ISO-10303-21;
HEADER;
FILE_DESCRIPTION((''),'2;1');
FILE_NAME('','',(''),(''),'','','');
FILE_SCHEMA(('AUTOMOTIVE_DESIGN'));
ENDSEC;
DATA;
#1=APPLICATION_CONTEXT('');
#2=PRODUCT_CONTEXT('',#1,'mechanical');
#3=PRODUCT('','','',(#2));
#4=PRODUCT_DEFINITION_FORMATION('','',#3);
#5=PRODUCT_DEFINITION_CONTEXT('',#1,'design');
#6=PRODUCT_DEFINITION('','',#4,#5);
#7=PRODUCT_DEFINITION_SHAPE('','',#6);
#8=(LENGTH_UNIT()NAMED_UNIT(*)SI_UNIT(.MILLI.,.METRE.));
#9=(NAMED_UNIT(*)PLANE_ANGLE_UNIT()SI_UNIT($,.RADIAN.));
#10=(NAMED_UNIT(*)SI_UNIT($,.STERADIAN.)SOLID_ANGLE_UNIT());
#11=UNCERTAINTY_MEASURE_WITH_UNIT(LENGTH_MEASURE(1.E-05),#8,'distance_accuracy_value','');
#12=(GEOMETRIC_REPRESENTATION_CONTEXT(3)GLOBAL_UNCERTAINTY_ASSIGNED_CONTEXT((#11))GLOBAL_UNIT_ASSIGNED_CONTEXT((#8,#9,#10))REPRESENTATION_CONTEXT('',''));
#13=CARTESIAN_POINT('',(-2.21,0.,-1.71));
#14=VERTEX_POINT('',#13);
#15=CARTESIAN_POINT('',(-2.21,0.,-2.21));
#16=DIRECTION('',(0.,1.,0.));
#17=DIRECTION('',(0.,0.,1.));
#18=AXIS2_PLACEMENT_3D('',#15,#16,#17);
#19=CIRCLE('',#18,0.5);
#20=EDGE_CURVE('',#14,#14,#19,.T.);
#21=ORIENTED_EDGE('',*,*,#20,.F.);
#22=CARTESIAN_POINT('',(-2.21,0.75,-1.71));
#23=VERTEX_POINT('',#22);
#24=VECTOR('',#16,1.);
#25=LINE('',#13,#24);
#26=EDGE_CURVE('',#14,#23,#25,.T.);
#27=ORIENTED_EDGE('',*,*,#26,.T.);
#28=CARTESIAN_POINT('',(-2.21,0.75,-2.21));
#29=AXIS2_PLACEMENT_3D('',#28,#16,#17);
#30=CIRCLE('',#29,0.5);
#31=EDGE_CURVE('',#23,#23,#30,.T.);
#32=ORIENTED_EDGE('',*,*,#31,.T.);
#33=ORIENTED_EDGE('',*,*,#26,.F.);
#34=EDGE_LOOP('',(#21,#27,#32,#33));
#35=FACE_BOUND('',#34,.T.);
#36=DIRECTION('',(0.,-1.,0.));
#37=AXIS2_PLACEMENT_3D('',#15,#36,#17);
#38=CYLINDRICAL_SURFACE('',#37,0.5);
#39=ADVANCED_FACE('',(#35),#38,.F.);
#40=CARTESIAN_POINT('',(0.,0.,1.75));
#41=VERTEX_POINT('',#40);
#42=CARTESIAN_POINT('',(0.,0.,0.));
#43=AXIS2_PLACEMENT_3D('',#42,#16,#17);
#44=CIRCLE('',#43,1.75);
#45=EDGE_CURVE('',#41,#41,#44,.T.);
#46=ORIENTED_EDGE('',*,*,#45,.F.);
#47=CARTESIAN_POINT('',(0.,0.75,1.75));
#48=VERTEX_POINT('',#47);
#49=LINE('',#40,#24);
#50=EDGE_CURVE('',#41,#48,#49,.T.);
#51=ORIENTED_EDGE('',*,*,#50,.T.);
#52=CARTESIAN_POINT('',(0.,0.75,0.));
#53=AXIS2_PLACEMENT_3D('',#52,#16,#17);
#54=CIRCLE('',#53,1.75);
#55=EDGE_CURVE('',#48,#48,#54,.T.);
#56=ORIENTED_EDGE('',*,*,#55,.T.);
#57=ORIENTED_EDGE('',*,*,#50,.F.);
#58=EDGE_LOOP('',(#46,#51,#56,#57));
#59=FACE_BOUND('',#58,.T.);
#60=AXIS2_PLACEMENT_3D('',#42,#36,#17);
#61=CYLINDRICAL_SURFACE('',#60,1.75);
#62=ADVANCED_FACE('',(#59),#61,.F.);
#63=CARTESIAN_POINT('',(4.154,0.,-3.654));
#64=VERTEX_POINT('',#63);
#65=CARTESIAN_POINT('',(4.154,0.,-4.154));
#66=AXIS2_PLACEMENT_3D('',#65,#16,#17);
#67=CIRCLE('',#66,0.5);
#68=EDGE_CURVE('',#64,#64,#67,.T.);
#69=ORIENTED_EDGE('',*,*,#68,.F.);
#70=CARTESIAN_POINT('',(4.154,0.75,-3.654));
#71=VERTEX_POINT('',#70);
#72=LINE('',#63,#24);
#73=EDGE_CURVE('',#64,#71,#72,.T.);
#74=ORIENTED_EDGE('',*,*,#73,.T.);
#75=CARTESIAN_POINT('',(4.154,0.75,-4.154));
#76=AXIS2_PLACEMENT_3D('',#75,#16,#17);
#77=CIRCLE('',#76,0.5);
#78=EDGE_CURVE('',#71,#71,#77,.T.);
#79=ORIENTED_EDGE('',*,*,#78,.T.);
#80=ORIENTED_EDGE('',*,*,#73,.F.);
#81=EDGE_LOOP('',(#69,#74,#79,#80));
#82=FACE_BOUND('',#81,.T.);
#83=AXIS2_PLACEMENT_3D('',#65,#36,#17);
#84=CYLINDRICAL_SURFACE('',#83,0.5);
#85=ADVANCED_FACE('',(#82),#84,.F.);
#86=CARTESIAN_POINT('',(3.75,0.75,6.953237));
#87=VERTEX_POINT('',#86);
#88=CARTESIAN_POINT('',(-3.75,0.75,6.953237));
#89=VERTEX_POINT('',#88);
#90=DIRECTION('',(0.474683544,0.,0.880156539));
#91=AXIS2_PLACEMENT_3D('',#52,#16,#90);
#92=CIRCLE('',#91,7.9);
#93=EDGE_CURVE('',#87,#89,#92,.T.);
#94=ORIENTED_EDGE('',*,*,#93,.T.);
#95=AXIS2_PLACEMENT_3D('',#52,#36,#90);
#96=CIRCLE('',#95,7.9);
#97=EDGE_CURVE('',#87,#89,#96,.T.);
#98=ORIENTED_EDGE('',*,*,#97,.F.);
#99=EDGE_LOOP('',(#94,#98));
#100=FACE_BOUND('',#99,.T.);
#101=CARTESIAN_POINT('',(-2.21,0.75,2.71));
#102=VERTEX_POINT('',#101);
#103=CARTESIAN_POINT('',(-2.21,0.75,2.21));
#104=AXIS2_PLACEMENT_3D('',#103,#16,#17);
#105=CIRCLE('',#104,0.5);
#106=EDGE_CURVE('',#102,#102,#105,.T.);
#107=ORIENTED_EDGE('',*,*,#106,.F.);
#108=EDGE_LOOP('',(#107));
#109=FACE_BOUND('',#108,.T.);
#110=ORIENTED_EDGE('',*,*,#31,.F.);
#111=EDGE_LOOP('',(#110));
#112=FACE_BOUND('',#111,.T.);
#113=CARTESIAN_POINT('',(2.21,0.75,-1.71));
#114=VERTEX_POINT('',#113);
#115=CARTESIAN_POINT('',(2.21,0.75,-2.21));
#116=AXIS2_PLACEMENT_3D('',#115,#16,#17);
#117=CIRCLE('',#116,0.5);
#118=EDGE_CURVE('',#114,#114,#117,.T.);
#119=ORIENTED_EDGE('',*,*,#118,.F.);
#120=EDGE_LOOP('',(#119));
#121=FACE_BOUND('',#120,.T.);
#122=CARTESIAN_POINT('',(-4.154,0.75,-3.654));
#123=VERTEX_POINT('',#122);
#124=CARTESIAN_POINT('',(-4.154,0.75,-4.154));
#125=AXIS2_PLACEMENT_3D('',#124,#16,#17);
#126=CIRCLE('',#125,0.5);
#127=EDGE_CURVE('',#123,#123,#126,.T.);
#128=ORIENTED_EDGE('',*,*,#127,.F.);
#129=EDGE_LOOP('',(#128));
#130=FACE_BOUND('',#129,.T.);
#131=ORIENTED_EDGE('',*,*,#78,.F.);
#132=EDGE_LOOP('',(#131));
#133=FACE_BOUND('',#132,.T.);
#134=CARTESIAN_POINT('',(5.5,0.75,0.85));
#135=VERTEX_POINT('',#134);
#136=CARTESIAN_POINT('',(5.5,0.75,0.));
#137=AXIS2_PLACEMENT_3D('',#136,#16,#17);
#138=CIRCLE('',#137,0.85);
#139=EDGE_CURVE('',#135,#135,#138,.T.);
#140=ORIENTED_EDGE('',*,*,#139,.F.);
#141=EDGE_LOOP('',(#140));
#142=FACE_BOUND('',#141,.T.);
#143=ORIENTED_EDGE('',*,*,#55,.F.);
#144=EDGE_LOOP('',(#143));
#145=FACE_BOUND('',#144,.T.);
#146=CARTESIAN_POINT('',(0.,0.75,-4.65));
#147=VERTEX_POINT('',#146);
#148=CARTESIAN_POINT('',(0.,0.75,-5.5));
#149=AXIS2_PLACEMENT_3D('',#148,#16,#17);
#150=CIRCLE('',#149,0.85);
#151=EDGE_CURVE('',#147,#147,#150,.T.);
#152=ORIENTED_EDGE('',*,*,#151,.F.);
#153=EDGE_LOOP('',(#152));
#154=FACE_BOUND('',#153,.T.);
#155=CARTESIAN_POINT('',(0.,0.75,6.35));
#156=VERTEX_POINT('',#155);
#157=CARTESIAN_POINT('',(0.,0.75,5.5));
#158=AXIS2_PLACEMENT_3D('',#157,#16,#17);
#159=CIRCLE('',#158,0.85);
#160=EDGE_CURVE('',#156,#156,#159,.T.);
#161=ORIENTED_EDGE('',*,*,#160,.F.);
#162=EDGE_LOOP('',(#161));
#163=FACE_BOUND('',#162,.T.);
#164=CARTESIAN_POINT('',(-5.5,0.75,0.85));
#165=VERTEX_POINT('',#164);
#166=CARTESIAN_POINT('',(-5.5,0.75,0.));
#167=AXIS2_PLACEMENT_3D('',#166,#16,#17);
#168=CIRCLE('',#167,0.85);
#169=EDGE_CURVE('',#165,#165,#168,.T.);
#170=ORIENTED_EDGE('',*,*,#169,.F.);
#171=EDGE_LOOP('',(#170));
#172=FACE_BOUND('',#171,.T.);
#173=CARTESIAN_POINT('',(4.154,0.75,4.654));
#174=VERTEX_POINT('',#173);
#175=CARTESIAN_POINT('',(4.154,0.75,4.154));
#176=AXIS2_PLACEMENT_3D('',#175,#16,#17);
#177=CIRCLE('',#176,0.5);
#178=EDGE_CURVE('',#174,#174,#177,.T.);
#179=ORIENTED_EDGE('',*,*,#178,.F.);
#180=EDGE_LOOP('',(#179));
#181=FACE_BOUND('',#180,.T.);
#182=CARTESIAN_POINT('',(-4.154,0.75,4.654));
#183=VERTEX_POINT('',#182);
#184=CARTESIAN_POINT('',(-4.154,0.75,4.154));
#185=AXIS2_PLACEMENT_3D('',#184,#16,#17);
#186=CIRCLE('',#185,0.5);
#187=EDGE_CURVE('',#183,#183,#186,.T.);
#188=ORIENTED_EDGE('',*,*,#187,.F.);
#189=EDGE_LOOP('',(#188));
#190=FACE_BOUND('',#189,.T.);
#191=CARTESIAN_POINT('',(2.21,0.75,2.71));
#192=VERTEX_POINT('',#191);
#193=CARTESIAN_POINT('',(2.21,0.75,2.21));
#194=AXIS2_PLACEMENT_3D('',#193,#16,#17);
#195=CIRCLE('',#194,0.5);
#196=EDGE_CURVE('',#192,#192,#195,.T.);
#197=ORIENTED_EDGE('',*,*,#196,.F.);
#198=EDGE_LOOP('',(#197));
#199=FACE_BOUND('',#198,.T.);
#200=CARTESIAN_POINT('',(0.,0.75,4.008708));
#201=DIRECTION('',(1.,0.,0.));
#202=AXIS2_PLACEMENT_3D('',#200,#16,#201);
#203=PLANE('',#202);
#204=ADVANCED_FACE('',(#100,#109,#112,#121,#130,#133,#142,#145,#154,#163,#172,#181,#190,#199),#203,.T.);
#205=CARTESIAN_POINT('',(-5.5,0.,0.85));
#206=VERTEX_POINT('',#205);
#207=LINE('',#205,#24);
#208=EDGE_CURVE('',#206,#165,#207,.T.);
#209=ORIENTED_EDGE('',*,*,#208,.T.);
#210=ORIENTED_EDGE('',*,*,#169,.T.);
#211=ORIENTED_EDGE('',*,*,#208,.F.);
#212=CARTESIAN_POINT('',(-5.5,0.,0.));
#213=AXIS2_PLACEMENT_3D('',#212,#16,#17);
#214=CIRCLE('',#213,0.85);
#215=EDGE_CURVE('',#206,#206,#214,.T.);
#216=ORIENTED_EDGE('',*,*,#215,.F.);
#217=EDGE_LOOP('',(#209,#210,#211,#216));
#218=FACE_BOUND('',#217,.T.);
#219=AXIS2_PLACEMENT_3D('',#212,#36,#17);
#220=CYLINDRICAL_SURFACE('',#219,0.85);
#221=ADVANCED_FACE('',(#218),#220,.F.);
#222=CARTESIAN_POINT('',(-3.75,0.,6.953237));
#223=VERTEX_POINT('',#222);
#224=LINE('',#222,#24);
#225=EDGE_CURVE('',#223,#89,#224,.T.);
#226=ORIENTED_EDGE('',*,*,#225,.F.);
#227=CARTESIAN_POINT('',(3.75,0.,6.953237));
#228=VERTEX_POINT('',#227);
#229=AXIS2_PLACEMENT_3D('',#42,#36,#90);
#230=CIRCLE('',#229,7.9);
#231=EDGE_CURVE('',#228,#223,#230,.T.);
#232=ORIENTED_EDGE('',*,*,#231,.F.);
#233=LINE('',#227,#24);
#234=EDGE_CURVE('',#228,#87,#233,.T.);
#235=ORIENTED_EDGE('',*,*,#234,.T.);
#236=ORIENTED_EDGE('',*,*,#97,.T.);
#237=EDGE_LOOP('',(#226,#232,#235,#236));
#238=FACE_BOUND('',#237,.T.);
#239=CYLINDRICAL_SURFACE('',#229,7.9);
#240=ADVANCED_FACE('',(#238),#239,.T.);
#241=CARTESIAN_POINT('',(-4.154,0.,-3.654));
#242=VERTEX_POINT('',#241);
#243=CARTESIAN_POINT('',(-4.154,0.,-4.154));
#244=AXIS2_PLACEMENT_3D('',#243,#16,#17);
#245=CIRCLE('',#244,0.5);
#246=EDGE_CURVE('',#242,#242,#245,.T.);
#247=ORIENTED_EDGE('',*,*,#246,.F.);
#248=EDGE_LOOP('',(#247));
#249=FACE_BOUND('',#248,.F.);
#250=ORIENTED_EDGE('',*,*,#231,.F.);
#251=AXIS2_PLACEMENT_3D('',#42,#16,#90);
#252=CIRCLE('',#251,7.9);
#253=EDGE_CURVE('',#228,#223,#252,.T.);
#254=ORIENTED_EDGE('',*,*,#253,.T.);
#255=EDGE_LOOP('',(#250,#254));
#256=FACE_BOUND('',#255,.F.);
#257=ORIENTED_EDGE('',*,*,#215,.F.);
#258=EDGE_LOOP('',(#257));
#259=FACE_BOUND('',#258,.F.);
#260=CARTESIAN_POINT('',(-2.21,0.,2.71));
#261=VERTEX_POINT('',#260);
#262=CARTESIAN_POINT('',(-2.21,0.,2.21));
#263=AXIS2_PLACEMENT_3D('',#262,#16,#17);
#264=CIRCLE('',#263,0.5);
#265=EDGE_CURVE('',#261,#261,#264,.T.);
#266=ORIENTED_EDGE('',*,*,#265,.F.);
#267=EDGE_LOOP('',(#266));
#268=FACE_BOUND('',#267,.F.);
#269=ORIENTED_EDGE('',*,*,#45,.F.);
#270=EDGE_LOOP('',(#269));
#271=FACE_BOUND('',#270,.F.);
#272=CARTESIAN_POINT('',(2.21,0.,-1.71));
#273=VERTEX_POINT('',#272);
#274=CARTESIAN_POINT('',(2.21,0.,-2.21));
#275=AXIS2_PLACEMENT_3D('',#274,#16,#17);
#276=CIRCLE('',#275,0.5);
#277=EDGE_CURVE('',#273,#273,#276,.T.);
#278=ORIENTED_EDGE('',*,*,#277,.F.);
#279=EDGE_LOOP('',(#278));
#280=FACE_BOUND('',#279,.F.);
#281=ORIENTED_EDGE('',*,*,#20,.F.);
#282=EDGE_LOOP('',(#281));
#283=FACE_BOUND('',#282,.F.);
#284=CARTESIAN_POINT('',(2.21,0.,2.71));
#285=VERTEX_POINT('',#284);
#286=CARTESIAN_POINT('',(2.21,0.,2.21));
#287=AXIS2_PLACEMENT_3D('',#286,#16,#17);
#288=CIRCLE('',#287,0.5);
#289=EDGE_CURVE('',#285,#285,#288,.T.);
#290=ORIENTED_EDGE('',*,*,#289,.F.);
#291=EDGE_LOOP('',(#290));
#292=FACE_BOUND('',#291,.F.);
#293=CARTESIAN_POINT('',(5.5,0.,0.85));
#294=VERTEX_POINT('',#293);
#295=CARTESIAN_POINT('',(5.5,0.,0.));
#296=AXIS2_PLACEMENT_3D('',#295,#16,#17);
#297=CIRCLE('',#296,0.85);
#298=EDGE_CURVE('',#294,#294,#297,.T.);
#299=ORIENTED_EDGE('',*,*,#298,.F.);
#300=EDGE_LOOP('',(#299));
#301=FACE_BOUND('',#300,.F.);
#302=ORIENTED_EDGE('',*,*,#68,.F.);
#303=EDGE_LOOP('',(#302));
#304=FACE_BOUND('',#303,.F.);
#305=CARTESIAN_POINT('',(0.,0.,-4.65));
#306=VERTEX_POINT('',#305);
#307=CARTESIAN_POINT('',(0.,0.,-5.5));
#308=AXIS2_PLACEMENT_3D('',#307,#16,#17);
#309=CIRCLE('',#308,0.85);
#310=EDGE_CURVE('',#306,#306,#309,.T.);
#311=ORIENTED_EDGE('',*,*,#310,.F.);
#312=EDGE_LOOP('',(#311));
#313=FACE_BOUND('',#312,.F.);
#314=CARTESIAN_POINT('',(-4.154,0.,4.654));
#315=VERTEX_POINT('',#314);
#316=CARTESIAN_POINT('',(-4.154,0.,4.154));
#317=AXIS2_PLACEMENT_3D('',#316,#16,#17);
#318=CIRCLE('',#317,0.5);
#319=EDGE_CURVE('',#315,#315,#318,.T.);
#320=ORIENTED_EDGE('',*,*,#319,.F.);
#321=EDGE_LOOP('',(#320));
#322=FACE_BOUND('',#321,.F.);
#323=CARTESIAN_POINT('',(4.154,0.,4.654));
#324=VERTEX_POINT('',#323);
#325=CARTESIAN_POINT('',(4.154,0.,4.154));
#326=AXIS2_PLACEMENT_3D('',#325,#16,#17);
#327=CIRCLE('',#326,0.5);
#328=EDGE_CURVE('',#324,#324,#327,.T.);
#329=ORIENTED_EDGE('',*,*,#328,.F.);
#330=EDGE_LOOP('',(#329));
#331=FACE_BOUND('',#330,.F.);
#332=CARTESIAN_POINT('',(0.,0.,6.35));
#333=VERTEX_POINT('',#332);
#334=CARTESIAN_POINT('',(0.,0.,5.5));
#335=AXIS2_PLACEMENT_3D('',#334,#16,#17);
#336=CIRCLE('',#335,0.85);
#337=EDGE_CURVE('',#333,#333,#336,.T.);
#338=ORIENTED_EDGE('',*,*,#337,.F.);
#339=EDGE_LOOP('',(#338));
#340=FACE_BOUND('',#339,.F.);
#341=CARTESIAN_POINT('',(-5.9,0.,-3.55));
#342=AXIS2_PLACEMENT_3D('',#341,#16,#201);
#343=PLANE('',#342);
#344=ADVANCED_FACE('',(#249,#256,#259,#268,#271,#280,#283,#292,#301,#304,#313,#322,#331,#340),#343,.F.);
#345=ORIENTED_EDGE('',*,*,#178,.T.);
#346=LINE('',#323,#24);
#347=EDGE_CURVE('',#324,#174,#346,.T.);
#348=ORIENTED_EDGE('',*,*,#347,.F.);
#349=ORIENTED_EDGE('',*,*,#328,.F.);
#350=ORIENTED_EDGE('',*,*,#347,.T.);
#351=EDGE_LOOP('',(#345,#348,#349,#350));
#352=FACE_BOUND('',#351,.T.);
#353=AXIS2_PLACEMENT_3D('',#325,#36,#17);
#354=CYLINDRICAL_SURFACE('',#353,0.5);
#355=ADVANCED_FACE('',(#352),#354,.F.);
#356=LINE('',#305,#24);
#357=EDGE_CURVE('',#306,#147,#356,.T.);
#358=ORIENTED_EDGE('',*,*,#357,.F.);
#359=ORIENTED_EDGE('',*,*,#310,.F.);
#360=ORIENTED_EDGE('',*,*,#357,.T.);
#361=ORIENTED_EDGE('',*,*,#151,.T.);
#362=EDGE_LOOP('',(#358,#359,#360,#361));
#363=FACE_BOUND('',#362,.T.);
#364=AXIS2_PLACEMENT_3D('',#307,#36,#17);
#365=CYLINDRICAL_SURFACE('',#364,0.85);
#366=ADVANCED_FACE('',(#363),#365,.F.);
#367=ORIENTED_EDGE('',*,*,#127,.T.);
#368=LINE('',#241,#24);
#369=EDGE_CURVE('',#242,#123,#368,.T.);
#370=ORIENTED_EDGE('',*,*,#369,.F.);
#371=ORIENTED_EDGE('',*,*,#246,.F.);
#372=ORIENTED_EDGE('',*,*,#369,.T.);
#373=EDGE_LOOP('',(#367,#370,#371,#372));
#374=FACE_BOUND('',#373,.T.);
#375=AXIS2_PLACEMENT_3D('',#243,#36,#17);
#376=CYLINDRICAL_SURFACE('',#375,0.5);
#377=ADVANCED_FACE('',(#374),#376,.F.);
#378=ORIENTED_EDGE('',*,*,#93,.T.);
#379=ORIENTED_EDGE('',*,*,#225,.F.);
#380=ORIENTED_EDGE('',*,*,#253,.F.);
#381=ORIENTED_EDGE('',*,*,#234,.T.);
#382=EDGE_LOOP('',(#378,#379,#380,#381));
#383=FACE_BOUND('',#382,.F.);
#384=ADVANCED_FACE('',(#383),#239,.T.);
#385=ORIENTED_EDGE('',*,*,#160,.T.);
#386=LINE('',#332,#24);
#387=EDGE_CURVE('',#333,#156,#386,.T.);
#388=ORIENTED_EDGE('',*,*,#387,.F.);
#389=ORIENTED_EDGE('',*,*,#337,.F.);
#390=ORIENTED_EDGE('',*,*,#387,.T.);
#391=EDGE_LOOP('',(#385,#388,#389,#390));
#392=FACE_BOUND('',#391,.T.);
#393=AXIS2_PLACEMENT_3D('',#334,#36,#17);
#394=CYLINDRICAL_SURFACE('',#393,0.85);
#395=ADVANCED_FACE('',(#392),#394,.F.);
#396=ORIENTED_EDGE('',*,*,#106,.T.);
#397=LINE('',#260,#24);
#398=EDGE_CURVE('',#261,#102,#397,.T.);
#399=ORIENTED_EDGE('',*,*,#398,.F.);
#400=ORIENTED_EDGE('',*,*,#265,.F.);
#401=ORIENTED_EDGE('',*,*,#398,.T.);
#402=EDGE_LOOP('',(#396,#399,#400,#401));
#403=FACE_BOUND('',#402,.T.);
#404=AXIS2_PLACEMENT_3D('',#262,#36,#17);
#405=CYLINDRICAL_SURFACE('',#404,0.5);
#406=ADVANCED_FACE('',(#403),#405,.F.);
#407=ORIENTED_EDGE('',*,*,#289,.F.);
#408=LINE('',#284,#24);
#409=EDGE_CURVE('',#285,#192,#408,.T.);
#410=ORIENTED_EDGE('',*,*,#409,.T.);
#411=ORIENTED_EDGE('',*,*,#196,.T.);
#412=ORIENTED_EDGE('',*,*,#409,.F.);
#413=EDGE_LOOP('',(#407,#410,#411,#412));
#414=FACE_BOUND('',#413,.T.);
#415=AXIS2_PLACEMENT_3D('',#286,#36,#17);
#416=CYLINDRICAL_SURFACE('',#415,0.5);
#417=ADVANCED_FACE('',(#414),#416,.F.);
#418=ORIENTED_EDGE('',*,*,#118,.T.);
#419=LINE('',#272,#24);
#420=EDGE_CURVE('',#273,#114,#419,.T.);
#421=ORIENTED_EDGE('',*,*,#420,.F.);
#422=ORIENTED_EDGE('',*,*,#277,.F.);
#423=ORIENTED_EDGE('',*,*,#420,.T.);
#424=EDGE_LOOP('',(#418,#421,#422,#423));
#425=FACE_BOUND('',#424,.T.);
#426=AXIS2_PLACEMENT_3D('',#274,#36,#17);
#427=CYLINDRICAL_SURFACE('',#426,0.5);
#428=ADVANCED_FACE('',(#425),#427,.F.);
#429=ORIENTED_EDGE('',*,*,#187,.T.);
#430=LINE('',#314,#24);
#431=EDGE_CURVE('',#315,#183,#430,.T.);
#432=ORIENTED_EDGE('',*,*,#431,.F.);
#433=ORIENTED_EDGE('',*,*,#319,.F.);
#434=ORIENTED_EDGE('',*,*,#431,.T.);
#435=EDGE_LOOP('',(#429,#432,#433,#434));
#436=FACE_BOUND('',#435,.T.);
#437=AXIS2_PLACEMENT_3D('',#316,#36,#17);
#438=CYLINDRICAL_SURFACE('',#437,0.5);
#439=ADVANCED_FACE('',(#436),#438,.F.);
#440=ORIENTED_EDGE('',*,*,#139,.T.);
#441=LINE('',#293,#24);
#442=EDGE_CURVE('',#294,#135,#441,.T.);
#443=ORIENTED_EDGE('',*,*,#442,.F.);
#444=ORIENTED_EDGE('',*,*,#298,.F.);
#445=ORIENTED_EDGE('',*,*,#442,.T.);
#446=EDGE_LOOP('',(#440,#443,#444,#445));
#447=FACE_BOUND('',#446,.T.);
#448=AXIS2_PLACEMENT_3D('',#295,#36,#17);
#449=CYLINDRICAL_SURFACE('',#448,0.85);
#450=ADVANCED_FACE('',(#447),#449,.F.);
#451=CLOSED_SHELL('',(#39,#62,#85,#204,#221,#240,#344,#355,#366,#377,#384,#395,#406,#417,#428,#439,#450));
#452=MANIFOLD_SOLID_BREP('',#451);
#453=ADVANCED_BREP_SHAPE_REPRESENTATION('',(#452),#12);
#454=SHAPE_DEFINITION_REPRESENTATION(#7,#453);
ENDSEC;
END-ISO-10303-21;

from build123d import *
from build123d.topology import SkipClean

# Parameters (mm, degrees)
SKETCH1_R           = 0.85
SKETCH1_R_2         = 1.75
SKETCH1_R_3         = 0.5
SKETCH1_R_4         = 0.25
BOSS_EXTRUDE1_DEPTH = 0.75
BOSS_EXTRUDE4_START = -0.75
SKETCH5_R           = 0.25
SKETCH5_R_2         = 0.289113168
BOSS_EXTRUDE4_DEPTH = 0.75
CUT_EXTRUDE1_START  = -0.75
CUT_EXTRUDE1_DEPTH  = 0.75


with BuildPart() as part:
    # Sketch1 → Boss-Extrude1 (new body)
    with BuildSketch(Plane(origin=(0, 0, 0), x_dir=(1, 0, 0), z_dir=(0, 1, 0))):
        with BuildLine():
            Line((-3.75, -6.953236656), (-3.75, -14.65))
            Line((-3.75, -14.65), (3.75, -14.65))
            Line((3.75, -14.65), (3.75, -6.953236656))
            ThreePointArc((3.75, -6.953236656), (0, 7.9), (-3.75, -6.953236656))
        make_face()
        with Locations((5.5, 0)):
            Circle(SKETCH1_R, mode=Mode.SUBTRACT)
        with Locations((0, -5.5)):
            Circle(SKETCH1_R, mode=Mode.SUBTRACT)
        with Locations((-5.5, 0)):
            Circle(SKETCH1_R, mode=Mode.SUBTRACT)
        with Locations((0, 5.5)):
            Circle(SKETCH1_R, mode=Mode.SUBTRACT)
        Circle(SKETCH1_R_2, mode=Mode.SUBTRACT)
        with Locations((-4.154, 4.154)):
            Circle(SKETCH1_R_3, mode=Mode.SUBTRACT)
        with Locations((-2.21, 2.21)):
            Circle(SKETCH1_R_3, mode=Mode.SUBTRACT)
        with Locations((4.154, 4.154)):
            Circle(SKETCH1_R_3, mode=Mode.SUBTRACT)
        with Locations((2.21, 2.21)):
            Circle(SKETCH1_R_3, mode=Mode.SUBTRACT)
        with Locations((4.154, -4.154)):
            Circle(SKETCH1_R_3, mode=Mode.SUBTRACT)
        with Locations((2.21, -2.21)):
            Circle(SKETCH1_R_3, mode=Mode.SUBTRACT)
        with Locations((-4.154, -4.154)):
            Circle(SKETCH1_R_3, mode=Mode.SUBTRACT)
        with Locations((-2.21, -2.21)):
            Circle(SKETCH1_R_3, mode=Mode.SUBTRACT)
        with Locations((-3, 0)):
            Circle(SKETCH1_R_4, mode=Mode.SUBTRACT)
        with Locations((-1.5, -10.75)):
            Circle(SKETCH1_R_4, mode=Mode.SUBTRACT)
        with Locations((3, 0)):
            Circle(SKETCH1_R_4, mode=Mode.SUBTRACT)
        with Locations((1.5, -10.75)):
            Circle(SKETCH1_R_4, mode=Mode.SUBTRACT)
        with Locations((-6.2, 2.25)):
            Circle(SKETCH1_R_4, mode=Mode.SUBTRACT)
        with Locations((0, -9.75)):
            Circle(SKETCH1_R_4, mode=Mode.SUBTRACT)
        with Locations((0, -7.75)):
            Circle(SKETCH1_R_4, mode=Mode.SUBTRACT)
        with Locations((-1, -8.75)):
            Circle(SKETCH1_R_4, mode=Mode.SUBTRACT)
        with Locations((1, -8.75)):
            Circle(SKETCH1_R_4, mode=Mode.SUBTRACT)
        with Locations((-5.9, 3.55)):
            Circle(SKETCH1_R_4, mode=Mode.SUBTRACT)
        with Locations((6.2, 2.25)):
            Circle(SKETCH1_R_4, mode=Mode.SUBTRACT)
        with Locations((5.9, 3.55)):
            Circle(SKETCH1_R_4, mode=Mode.SUBTRACT)
    extrude(amount=BOSS_EXTRUDE1_DEPTH)

    # Sketch5 → Boss-Extrude4 (add)
    with BuildSketch(Plane(origin=(0, 0.75, 0), x_dir=(1, 0, 0), z_dir=(0, 1, 0)).offset(BOSS_EXTRUDE4_START)):
        with Locations((-5.9, 3.55)):
            Circle(SKETCH5_R)
        with Locations((-6.2, 2.25)):
            Circle(SKETCH5_R)
        with Locations((5.9, 3.55)):
            Circle(SKETCH5_R)
        with Locations((6.2, 2.25)):
            Circle(SKETCH5_R)
        with Locations((3, 0)):
            Circle(SKETCH5_R)
        with Locations((-3, 0)):
            Circle(SKETCH5_R_2)
        with Locations((0, -7.75)):
            Circle(SKETCH5_R)
    extrude(amount=BOSS_EXTRUDE4_DEPTH)

    # Sketch6 → Cut-Extrude1 (cut)
    with SkipClean():  # the faces are left unmerged after this step: merging them gives an invalid solid
        with BuildSketch(Plane(origin=(0, 0.75, 0), x_dir=(1, 0, 0), z_dir=(0, 1, 0)).offset(CUT_EXTRUDE1_START)):
            with BuildLine():
                ThreePointArc((3.75, -6.953236656), (0, -7.9), (-3.75, -6.953236656))
                Line((-3.75, -6.953236656), (-3.75, -14.65))
                Line((-3.75, -14.65), (3.75, -14.65))
                Line((3.75, -14.65), (3.75, -6.953236656))
            make_face()
        extrude(amount=CUT_EXTRUDE1_DEPTH, mode=Mode.SUBTRACT)


solid = part.part
